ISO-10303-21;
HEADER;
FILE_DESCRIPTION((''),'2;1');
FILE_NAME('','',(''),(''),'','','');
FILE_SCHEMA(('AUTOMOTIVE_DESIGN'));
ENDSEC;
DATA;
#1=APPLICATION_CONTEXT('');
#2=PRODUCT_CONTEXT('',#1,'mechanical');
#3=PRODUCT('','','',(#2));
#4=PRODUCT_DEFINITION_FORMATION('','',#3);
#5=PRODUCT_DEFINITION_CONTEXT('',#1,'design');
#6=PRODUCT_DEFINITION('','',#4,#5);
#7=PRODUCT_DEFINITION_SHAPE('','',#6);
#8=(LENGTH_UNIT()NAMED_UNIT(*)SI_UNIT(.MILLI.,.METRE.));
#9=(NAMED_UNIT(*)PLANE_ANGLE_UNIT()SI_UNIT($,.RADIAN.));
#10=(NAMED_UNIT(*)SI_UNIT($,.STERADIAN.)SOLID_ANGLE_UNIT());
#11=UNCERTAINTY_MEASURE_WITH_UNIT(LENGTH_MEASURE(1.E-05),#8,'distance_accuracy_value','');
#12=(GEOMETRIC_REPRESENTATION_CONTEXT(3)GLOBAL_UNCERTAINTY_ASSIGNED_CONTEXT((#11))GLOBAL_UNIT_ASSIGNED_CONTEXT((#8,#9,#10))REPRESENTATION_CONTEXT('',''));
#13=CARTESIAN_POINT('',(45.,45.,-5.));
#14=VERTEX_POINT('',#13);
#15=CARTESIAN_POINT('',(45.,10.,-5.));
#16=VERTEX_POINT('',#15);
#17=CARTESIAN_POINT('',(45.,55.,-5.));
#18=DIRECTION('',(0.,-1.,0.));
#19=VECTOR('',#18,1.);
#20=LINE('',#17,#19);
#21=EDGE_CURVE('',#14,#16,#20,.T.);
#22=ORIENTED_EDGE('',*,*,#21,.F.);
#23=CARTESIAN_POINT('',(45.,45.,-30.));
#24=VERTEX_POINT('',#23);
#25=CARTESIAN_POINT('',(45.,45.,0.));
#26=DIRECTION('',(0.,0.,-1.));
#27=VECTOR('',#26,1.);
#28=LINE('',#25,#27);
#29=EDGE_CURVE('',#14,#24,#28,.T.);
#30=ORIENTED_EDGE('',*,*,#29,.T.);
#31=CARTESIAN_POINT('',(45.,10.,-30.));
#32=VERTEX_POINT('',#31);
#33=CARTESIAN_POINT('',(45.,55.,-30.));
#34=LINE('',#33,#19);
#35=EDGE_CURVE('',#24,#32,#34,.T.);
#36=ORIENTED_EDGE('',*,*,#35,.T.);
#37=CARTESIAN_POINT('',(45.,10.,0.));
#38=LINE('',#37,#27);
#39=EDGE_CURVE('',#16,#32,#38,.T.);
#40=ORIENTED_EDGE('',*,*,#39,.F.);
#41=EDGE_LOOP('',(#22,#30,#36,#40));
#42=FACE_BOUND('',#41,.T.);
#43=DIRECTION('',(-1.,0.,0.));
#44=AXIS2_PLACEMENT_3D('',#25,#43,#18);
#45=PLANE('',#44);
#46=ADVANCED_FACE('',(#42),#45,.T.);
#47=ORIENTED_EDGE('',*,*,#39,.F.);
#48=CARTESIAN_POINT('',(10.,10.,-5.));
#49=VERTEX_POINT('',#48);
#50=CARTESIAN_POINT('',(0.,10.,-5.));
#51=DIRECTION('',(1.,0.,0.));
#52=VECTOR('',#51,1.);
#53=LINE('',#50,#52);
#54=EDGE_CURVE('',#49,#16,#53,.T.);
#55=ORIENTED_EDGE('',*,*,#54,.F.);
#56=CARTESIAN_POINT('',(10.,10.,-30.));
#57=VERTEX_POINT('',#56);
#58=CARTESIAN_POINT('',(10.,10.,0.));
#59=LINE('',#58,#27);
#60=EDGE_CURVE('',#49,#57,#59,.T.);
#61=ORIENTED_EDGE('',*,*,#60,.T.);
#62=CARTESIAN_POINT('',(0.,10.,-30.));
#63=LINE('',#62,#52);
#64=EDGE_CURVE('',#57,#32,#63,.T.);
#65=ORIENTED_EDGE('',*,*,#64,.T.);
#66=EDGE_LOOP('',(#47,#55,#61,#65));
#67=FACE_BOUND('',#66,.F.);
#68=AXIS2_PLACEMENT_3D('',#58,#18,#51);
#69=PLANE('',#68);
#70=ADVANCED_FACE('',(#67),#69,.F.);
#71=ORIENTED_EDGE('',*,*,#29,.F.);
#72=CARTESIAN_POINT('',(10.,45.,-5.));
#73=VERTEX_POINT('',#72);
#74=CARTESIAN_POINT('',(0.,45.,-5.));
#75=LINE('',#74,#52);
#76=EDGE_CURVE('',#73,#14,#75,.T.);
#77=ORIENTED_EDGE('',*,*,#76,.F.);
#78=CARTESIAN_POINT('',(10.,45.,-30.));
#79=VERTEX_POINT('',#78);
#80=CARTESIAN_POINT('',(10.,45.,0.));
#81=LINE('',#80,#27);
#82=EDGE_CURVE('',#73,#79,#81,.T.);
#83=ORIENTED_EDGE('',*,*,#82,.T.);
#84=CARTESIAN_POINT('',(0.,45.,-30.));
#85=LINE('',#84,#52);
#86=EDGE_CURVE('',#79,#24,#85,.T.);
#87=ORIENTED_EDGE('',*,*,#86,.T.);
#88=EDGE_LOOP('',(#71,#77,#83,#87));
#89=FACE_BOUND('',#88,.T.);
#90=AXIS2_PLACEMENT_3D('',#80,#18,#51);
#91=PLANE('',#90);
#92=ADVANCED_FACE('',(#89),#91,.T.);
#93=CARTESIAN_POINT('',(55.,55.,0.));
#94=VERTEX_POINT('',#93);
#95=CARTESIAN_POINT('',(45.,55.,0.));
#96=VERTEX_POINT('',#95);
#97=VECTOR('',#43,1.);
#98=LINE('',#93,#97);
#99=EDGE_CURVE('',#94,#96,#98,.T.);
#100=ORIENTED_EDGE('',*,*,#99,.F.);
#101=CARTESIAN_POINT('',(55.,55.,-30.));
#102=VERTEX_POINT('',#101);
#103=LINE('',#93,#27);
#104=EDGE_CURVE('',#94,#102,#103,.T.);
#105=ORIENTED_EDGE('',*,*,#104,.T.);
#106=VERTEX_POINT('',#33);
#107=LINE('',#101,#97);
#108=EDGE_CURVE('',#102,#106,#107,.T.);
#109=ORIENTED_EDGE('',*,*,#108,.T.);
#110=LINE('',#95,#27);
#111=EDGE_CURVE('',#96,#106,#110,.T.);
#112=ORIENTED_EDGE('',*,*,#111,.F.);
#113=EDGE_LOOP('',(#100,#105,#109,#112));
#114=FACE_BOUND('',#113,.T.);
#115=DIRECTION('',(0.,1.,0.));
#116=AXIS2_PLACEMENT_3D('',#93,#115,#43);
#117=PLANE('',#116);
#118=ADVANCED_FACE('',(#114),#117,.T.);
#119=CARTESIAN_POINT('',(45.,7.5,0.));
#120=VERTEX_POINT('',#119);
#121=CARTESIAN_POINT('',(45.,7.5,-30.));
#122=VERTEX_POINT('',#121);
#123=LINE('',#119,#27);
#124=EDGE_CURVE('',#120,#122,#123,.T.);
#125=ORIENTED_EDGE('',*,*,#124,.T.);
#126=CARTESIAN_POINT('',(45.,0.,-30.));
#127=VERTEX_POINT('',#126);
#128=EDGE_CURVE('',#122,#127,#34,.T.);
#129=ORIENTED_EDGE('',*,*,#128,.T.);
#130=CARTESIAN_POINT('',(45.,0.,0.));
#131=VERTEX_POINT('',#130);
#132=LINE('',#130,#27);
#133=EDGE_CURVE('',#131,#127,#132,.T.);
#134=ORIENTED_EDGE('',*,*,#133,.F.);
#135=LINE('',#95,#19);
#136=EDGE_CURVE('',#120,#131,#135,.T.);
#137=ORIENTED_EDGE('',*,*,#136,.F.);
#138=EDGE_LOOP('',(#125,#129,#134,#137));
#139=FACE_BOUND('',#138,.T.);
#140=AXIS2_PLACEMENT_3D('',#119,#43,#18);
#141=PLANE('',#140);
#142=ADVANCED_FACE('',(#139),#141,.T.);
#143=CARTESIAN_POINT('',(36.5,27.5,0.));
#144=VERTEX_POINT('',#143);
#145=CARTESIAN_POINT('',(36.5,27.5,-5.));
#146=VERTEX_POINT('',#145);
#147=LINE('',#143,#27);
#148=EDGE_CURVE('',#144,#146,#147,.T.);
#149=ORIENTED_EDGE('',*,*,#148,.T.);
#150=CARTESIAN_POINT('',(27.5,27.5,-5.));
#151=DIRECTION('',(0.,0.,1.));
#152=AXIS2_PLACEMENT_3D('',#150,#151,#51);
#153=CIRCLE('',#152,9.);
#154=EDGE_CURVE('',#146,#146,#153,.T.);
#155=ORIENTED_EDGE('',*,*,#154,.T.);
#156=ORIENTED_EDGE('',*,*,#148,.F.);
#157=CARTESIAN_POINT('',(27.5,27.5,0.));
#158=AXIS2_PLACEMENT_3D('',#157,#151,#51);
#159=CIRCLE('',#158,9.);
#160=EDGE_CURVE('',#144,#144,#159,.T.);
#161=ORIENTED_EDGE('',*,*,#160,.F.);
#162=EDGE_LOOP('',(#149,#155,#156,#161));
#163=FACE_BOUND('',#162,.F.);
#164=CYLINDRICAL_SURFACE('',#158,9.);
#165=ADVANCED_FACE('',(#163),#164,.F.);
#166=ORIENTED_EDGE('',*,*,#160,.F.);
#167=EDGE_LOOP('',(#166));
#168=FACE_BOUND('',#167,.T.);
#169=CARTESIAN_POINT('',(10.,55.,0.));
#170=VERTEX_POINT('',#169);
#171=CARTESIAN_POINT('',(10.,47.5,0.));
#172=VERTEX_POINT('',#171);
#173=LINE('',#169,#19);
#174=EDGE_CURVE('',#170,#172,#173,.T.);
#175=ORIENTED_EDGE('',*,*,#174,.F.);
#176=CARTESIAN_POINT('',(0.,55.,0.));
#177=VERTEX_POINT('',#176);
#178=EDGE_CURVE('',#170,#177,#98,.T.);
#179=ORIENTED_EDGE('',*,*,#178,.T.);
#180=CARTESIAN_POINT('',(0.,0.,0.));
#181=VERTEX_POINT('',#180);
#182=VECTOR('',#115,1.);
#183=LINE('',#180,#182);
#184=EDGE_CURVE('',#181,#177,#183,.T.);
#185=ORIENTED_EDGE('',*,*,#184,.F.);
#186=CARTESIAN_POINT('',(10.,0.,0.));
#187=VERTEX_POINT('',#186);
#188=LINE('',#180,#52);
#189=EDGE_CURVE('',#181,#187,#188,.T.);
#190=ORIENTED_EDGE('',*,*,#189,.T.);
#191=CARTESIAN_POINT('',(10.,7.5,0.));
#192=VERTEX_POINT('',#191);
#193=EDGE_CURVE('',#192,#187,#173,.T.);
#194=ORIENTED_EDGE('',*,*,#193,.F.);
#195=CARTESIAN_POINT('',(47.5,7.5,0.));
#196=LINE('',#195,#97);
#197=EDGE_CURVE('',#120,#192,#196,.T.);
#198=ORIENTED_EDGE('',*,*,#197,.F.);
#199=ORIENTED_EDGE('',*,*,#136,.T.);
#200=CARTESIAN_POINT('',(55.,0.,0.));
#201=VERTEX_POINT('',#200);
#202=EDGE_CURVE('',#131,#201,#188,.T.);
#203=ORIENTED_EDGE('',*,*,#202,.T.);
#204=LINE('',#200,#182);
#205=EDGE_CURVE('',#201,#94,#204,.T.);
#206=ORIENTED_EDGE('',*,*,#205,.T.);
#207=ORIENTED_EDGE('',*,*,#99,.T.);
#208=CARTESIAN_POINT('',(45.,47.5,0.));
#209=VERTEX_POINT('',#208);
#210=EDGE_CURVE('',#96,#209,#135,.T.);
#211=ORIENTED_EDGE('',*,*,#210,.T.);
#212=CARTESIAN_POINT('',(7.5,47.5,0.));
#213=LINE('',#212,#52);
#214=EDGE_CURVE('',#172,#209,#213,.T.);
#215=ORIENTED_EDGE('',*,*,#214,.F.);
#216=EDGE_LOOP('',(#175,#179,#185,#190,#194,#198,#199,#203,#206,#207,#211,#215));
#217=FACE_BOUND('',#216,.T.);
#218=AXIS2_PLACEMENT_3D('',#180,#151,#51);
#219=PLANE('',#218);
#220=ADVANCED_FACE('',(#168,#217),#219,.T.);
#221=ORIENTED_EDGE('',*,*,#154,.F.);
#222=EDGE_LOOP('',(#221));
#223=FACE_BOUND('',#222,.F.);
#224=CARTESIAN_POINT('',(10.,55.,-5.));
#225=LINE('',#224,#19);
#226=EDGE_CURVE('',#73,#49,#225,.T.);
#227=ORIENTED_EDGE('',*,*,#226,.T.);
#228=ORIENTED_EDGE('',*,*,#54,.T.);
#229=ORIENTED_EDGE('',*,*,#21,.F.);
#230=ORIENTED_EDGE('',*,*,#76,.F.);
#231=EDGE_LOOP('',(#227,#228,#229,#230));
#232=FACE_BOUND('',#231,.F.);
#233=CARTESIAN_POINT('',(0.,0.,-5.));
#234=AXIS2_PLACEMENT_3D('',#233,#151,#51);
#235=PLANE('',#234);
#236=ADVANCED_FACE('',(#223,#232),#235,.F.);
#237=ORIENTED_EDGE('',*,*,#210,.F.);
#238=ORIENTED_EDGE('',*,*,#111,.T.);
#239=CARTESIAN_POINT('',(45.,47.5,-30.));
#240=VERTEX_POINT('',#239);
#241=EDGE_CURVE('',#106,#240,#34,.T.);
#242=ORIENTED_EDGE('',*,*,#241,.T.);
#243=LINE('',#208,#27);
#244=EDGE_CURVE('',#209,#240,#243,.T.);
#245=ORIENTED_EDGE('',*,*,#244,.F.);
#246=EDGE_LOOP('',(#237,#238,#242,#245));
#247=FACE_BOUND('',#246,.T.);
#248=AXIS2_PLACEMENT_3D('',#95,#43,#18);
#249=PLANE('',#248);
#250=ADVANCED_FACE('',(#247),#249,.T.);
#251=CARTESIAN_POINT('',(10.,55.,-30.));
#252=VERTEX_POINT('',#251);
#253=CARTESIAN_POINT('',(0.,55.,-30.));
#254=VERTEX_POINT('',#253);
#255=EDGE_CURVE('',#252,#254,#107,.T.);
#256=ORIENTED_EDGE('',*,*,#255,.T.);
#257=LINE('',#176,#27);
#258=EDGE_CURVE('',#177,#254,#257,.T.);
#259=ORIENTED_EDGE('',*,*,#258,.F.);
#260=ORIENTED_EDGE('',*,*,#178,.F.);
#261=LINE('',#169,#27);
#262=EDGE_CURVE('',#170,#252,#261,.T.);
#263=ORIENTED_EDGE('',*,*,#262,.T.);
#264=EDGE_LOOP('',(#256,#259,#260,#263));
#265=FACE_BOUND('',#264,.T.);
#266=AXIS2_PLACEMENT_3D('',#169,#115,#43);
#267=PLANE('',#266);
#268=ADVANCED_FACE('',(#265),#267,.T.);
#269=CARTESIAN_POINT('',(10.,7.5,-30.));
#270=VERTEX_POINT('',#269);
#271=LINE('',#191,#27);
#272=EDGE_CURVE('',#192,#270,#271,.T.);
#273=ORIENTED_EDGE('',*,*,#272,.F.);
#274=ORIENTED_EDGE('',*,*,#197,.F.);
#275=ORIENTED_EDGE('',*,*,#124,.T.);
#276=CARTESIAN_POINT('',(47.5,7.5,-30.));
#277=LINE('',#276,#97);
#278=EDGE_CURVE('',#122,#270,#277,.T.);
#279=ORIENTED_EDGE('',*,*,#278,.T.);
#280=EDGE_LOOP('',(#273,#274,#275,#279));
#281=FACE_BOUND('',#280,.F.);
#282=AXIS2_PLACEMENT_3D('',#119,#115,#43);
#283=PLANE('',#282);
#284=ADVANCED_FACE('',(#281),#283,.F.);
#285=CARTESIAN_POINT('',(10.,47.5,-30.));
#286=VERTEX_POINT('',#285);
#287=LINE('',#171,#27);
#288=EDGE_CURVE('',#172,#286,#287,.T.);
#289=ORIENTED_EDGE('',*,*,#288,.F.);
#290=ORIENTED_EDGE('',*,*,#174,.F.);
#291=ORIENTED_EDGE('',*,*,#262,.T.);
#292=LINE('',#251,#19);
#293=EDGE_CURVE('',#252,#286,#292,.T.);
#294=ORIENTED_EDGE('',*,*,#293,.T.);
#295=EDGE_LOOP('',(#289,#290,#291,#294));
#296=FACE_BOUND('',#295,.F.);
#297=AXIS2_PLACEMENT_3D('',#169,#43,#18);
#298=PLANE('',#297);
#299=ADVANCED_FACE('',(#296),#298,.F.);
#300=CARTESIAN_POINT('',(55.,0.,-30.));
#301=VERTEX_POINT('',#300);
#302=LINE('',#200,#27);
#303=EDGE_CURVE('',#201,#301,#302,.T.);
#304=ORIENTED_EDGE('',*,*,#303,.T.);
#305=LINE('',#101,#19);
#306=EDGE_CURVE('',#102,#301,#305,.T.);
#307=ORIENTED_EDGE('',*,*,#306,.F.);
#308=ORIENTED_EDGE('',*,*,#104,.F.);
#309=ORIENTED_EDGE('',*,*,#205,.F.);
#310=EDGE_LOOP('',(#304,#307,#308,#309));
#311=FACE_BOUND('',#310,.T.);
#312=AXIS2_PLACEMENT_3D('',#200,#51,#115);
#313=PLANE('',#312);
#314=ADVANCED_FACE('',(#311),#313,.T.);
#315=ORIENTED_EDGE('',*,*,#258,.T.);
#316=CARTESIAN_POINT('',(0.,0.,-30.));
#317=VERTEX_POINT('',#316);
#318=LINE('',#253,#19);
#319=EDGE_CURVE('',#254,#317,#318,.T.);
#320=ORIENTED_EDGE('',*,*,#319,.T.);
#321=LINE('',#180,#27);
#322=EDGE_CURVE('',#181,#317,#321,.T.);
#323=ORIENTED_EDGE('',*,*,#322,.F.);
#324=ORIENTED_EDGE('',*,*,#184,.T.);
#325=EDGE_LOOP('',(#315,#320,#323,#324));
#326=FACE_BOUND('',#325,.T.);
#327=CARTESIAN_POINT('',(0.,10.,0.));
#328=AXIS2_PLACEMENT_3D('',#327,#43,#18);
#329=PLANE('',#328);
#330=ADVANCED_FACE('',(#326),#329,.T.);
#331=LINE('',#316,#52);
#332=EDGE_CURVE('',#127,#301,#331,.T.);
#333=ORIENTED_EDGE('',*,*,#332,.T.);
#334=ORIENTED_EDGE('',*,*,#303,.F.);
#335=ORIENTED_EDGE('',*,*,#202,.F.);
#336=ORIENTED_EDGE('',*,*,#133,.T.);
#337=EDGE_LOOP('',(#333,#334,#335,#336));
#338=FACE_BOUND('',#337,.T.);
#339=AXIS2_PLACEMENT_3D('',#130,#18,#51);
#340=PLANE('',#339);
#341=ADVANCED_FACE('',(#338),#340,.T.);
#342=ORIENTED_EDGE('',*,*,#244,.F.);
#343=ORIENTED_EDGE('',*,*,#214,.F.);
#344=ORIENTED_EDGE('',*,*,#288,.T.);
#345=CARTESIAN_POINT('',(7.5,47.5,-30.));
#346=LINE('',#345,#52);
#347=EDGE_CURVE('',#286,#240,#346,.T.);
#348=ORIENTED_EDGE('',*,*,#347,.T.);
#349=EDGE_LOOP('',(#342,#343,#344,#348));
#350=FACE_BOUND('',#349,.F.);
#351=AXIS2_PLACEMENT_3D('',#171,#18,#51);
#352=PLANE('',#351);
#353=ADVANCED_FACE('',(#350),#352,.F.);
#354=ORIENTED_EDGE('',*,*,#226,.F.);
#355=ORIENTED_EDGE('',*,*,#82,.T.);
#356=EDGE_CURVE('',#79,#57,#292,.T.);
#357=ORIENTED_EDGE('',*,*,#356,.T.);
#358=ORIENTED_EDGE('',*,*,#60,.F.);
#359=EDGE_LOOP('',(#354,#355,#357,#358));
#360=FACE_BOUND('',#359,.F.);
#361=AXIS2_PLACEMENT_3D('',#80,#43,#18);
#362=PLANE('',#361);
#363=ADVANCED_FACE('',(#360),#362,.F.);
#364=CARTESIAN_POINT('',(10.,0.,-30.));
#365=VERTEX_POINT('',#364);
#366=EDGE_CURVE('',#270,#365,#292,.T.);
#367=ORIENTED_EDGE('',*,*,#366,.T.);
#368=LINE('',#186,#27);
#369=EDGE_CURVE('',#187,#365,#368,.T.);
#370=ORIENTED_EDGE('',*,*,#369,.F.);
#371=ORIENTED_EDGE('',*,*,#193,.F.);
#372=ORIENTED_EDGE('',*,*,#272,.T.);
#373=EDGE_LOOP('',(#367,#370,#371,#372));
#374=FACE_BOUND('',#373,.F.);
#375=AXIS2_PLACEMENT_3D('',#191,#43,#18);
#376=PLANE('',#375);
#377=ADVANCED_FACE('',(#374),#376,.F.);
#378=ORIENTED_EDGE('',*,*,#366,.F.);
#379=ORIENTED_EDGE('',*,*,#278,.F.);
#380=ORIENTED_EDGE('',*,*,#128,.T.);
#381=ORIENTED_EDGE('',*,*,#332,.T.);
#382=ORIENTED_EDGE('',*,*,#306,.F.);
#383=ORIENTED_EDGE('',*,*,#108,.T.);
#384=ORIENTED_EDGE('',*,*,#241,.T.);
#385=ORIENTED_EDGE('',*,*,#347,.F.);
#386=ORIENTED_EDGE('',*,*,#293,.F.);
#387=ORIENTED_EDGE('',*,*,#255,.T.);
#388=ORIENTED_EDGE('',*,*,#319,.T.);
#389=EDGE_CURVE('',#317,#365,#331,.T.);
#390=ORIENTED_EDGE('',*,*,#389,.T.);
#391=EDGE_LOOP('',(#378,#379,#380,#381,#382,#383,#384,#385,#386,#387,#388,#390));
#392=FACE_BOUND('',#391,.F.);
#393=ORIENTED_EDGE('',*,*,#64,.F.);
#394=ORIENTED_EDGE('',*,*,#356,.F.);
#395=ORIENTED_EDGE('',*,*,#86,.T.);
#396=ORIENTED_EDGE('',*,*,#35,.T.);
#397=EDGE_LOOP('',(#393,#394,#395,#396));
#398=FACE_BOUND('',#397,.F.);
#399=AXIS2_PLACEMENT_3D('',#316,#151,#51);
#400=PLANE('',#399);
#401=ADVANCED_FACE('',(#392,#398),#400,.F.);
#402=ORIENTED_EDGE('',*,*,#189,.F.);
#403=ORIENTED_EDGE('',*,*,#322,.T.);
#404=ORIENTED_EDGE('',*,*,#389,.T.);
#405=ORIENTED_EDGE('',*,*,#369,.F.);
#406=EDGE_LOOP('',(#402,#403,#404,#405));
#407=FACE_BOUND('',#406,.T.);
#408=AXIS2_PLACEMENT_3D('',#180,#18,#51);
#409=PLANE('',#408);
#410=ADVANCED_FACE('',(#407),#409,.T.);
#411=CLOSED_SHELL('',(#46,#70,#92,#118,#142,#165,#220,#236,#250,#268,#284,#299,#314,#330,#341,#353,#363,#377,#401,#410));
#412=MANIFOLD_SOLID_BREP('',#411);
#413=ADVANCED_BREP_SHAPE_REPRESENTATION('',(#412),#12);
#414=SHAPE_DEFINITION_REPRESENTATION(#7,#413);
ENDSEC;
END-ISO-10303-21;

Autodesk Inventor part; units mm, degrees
ref_plane "YZ Plane" through (0, 0, 0) normal (1, 0, 0) x (0, 1, 0)
ref_plane "XZ Plane" through (0, 0, 0) normal (0, 1, 0) x (-1, 0, 0)
ref_plane "XY Plane" through (0, 0, 0) normal (0, 0, 1) x (1, 0, 0)
sketch "Sketch1" plane through (0, 0, 0) normal (0, 0, 1) x (1, 0, 0)
  line L0 (0, 0) -> (55, 0)
  line L1 (55, 0) -> (55, 55)
  line L2 (55, 55) -> (0, 55)
  line L3 (0, 55) -> (0, 0)
  line L4 (55, 0) -> (0, 0)
  line L5 (0, 0) -> (0, 10)
  line L6 (0, 10) -> (55, 10)
  line L7 (55, 10) -> (55, 0)
  line L8 (55, 55) -> (0, 55)
  line L9 (0, 55) -> (0, 45)
  line L10 (0, 45) -> (55, 45)
  line L11 (55, 45) -> (55, 55)
  circle A0 centre (27.5, 27.5) radius 15
  line L12 (0, 55) -> (10, 55)
  line L13 (10, 55) -> (10, 0)
  line L14 (10, 0) -> (0, 0)
  line L15 (0, 0) -> (0, 55)
  line L16 (55, 55) -> (45, 55)
  line L17 (45, 55) -> (45, 0)
  line L18 (45, 0) -> (55, 0)
  line L19 (55, 0) -> (55, 55)
  line L20 (7.5, 47.5) -> (47.5, 47.5)
  line L21 (47.5, 47.5) -> (47.5, 7.5)
  line L22 (47.5, 7.5) -> (7.5, 7.5)
  line L23 (7.5, 7.5) -> (7.5, 47.5)
  line L24 (7.5, 47.5) -> (47.5, 7.5) construction
  line L25 (47.5, 47.5) -> (7.5, 7.5) construction
  circle A1 centre (27.5, 27.5) radius 9
  point P0 (10, 0)
  point P1 (10, 10)
  point P2 (45, 10)
  point P3 (45, 45)
  point P4 (10, 45)
  point P5 (45, 47.5)
  point P6 (10, 47.5)
  point P7 (10, 7.5)
  point P8 (45, 7.5)
  dimension "d0" = 55
  dimension "d1" = 55
  dimension "d2" = 10
  dimension "d3" = 10
  dimension "d4" = 30
  dimension "d5" = 10
  dimension "d6" = 10
  dimension "d11" = 40
  dimension "d12" = 40
  dimension "d13" = 18
extrude "Extrusion3" add sketch "Sketch1" against normal blind 5 contours L13 L10 L17 L6 | A0
extrude "Extrusion4" add sketch "Sketch1" against normal blind 30 contours L3 L6 L23 L22 L13 L0 | L3 L10 L23 L6 | L17 L22 L21 L6 L1 L0 | L22 L23 L6 L13 | L13 L6 L17 L22 | L3 L2 L13 L20 L23 L10 | L23 L10 L13 L6 | L17 L6 L21 L22 | L23 L20 L13 L10 | L6 L21 L10 L1 | L17 L10 L21 L6 | L13 L20 L17 L10 | L10 L21 L20 L17 L2 L1 | L17 L20 L21 L10
